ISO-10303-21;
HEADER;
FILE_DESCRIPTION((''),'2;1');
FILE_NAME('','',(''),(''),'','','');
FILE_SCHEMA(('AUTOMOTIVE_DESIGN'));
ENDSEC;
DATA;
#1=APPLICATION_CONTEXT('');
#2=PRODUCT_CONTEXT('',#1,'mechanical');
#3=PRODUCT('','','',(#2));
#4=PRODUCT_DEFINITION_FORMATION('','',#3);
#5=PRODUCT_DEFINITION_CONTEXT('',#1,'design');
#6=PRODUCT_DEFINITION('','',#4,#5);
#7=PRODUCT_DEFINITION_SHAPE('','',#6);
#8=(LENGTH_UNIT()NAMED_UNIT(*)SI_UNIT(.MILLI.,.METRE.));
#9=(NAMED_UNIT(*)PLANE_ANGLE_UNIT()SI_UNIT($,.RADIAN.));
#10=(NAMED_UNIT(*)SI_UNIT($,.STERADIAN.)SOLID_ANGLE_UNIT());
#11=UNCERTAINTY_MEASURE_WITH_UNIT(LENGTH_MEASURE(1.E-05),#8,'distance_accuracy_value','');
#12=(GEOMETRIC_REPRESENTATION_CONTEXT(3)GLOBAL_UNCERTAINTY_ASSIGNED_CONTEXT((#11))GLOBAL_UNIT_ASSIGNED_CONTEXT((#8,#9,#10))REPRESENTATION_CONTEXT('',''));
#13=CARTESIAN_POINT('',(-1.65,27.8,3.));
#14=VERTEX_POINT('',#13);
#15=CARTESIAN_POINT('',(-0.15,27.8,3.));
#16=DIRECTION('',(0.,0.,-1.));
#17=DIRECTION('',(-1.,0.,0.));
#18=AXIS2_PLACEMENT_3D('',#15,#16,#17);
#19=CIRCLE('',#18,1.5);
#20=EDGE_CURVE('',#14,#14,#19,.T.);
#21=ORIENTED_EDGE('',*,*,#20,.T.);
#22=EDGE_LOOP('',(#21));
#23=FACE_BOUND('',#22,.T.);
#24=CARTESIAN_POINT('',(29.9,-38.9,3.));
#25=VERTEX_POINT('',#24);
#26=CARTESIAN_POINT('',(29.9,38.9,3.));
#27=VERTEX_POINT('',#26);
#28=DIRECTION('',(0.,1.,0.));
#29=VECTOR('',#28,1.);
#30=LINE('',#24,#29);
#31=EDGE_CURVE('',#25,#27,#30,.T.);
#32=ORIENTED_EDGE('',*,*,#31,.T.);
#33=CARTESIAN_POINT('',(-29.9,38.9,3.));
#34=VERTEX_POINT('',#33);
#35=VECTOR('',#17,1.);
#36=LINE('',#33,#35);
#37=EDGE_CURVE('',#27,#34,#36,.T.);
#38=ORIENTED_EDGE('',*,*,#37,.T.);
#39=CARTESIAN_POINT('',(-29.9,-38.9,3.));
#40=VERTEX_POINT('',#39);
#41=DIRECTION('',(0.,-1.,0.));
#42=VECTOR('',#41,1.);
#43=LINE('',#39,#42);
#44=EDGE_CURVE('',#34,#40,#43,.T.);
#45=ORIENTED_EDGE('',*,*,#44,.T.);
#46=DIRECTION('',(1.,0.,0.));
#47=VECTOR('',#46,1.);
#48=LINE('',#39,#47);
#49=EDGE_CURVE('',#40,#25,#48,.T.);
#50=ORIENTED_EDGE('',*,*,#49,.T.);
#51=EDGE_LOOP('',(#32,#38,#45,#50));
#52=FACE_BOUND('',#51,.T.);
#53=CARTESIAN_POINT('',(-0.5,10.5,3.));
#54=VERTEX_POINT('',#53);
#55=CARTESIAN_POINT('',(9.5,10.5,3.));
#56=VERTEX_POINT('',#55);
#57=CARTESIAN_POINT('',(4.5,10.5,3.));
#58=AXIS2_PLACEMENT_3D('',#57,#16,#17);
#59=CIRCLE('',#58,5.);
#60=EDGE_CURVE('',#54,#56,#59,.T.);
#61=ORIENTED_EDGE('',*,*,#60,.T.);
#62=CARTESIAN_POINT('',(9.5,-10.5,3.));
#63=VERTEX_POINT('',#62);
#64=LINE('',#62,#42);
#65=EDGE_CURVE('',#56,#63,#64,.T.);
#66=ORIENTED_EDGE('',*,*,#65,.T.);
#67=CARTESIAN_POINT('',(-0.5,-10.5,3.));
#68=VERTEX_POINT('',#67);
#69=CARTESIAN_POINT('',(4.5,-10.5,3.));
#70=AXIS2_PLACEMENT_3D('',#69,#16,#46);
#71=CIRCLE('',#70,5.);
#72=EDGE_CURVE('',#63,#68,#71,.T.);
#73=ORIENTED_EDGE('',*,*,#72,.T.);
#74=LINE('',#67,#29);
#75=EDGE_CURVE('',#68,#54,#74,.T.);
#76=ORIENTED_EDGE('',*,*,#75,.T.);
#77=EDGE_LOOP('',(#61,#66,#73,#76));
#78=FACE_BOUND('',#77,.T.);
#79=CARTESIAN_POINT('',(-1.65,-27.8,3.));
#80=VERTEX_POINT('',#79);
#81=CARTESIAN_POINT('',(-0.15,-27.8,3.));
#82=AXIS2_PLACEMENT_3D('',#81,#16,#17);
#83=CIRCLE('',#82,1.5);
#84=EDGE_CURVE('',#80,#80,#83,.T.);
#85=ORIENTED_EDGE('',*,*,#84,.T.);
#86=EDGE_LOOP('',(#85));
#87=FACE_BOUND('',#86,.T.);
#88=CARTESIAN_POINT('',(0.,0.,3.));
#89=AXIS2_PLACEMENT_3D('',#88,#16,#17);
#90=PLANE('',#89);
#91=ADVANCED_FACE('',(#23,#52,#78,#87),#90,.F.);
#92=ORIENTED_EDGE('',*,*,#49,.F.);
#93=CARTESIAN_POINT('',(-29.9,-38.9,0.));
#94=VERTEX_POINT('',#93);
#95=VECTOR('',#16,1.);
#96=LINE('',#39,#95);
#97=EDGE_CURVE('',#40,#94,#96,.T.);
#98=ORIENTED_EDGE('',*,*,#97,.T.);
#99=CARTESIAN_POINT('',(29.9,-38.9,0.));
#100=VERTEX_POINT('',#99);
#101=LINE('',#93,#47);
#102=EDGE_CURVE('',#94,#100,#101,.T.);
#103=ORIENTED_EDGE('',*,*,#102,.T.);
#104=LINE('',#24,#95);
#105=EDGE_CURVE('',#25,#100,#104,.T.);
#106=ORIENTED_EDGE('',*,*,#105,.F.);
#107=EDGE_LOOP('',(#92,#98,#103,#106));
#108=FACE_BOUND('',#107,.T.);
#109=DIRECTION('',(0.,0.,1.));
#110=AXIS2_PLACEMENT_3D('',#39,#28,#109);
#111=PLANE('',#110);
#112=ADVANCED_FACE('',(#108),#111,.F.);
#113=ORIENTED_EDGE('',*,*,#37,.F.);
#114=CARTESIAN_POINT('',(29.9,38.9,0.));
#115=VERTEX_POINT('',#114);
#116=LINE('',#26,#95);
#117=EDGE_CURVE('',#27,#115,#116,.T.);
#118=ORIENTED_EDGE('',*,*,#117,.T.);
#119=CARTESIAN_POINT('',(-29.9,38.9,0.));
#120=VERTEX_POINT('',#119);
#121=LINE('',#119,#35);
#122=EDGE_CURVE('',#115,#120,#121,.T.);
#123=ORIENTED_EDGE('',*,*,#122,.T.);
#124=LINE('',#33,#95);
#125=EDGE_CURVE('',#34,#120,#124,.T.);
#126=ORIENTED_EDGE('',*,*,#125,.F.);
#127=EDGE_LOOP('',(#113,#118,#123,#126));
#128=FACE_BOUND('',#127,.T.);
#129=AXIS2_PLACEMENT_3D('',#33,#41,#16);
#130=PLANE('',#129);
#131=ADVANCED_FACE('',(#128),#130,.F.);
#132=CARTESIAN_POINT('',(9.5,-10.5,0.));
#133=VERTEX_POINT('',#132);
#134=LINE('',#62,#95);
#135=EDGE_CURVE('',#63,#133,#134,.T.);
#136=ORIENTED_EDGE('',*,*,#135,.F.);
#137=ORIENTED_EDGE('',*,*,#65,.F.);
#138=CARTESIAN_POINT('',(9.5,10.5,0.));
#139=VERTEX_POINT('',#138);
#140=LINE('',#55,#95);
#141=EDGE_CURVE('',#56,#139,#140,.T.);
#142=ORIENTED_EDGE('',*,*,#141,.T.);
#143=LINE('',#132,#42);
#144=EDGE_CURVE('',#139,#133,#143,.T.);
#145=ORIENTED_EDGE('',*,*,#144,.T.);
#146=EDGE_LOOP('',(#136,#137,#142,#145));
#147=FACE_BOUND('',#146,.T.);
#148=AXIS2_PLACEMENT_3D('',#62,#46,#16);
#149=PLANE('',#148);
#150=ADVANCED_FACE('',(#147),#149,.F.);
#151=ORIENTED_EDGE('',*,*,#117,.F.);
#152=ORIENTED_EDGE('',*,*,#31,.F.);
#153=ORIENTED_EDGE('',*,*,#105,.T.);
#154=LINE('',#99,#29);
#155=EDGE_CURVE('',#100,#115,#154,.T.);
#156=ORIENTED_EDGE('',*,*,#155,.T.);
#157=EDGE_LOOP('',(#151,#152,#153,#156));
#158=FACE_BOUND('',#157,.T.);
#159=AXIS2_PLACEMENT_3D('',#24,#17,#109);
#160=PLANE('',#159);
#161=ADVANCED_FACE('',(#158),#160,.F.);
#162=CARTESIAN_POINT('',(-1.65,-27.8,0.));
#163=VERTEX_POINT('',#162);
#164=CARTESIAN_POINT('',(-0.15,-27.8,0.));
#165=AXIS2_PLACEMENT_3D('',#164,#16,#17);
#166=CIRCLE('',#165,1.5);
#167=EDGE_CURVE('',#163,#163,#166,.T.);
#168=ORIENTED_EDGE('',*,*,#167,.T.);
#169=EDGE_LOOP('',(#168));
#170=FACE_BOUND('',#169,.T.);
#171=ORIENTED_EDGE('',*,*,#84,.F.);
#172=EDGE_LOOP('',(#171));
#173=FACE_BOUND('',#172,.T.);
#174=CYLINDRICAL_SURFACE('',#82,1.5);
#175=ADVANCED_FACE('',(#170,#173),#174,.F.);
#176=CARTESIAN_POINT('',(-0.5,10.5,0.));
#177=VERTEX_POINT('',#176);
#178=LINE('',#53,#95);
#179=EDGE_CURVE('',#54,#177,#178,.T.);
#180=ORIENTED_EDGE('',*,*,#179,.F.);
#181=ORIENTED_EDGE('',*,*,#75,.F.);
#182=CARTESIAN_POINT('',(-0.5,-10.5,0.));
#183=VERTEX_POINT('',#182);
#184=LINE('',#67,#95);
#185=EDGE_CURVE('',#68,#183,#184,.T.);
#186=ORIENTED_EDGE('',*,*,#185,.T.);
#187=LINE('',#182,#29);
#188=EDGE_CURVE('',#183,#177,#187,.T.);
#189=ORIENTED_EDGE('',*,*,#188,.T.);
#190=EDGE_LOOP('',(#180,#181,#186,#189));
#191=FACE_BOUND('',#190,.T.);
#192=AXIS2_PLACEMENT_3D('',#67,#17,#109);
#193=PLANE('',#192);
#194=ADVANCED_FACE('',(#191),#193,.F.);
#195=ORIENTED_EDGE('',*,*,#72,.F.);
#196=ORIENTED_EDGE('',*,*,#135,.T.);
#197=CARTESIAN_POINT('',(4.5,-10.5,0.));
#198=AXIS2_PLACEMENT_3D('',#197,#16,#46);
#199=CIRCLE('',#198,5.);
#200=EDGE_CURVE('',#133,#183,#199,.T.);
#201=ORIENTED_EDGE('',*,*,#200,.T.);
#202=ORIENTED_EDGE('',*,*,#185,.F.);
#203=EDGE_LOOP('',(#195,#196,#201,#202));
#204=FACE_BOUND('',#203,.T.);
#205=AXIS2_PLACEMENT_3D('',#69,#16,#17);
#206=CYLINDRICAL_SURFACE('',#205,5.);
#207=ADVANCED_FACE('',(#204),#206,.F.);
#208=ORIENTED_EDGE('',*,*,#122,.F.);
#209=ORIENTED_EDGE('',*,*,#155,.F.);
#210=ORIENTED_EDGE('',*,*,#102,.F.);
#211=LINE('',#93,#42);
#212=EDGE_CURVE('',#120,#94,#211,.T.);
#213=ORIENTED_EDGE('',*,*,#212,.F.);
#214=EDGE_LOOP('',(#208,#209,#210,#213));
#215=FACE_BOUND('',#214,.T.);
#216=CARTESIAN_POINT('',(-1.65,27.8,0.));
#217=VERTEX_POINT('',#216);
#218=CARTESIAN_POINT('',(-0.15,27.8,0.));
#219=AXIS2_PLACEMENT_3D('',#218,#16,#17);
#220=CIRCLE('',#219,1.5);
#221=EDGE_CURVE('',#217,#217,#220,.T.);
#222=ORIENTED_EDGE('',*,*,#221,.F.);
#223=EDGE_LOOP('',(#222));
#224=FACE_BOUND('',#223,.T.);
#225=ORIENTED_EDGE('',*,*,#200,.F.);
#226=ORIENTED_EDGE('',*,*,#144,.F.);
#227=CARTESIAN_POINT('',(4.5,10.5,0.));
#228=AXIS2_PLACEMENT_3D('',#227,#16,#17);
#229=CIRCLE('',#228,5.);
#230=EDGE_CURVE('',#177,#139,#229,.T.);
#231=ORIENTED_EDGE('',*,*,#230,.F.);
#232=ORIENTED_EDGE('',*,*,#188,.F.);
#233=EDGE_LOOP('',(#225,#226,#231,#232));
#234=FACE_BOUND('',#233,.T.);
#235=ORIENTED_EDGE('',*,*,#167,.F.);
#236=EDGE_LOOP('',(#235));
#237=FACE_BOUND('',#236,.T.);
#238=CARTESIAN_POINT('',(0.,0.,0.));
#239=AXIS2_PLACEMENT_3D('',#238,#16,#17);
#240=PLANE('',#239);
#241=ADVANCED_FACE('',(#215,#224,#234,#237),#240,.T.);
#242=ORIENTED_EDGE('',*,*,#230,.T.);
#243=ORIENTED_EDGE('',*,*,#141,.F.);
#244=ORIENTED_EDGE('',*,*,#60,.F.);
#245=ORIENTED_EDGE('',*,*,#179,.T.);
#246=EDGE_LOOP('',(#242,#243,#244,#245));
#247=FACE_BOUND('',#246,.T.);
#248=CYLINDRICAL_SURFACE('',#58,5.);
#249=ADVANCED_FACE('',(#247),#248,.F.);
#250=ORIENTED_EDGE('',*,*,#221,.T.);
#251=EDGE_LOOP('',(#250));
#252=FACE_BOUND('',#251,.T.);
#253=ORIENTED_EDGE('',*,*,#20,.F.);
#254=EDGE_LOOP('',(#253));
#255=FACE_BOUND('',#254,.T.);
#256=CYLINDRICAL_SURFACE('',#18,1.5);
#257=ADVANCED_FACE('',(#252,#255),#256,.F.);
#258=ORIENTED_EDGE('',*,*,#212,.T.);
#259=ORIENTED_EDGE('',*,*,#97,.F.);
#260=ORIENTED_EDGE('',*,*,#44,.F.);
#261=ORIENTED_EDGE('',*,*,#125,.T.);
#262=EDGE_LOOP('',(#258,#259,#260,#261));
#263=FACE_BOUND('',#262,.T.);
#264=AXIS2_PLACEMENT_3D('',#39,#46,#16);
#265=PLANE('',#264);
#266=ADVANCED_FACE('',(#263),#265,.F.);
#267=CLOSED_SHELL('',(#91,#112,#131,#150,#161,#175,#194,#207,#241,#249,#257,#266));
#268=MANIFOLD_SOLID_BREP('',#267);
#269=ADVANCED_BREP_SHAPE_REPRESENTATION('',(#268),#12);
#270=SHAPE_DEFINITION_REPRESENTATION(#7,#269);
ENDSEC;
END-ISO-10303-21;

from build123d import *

# Parameters (mm, degrees)
SKETCH1_W           = 59.8
SKETCH1_H           = 77.8
BOSS_EXTRUDE1_DEPTH = 3
SKETCH2_R           = 1.5
CUT_EXTRUDE1_DEPTH  = 50.155060777


with BuildPart() as part:
    # Sketch1 → Boss-Extrude1 (new body)
    with BuildSketch(Plane.XY):
        Rectangle(SKETCH1_W, SKETCH1_H)
    extrude(amount=BOSS_EXTRUDE1_DEPTH)

    # Sketch2 → Cut-Extrude1 (cut, through all)
    with BuildSketch(Plane(origin=(0, 0, 0), x_dir=(-1, 0, 0), z_dir=(0, 0, -1))):
        with Locations((0.15, -27.8)):
            Circle(SKETCH2_R)
        with Locations((0.15, 27.8)):
            Circle(SKETCH2_R)
        with BuildLine():
            Line((0.5, -10.5), (0.5, 10.5))
            ThreePointArc((0.5, 10.5), (-4.5, 15.5), (-9.5, 10.5))
            Line((-9.5, 10.5), (-9.5, -10.5))
            ThreePointArc((-9.5, -10.5), (-4.5, -15.5), (0.5, -10.5))
        make_face()
    extrude(amount=-CUT_EXTRUDE1_DEPTH, mode=Mode.SUBTRACT)


solid = part.part
